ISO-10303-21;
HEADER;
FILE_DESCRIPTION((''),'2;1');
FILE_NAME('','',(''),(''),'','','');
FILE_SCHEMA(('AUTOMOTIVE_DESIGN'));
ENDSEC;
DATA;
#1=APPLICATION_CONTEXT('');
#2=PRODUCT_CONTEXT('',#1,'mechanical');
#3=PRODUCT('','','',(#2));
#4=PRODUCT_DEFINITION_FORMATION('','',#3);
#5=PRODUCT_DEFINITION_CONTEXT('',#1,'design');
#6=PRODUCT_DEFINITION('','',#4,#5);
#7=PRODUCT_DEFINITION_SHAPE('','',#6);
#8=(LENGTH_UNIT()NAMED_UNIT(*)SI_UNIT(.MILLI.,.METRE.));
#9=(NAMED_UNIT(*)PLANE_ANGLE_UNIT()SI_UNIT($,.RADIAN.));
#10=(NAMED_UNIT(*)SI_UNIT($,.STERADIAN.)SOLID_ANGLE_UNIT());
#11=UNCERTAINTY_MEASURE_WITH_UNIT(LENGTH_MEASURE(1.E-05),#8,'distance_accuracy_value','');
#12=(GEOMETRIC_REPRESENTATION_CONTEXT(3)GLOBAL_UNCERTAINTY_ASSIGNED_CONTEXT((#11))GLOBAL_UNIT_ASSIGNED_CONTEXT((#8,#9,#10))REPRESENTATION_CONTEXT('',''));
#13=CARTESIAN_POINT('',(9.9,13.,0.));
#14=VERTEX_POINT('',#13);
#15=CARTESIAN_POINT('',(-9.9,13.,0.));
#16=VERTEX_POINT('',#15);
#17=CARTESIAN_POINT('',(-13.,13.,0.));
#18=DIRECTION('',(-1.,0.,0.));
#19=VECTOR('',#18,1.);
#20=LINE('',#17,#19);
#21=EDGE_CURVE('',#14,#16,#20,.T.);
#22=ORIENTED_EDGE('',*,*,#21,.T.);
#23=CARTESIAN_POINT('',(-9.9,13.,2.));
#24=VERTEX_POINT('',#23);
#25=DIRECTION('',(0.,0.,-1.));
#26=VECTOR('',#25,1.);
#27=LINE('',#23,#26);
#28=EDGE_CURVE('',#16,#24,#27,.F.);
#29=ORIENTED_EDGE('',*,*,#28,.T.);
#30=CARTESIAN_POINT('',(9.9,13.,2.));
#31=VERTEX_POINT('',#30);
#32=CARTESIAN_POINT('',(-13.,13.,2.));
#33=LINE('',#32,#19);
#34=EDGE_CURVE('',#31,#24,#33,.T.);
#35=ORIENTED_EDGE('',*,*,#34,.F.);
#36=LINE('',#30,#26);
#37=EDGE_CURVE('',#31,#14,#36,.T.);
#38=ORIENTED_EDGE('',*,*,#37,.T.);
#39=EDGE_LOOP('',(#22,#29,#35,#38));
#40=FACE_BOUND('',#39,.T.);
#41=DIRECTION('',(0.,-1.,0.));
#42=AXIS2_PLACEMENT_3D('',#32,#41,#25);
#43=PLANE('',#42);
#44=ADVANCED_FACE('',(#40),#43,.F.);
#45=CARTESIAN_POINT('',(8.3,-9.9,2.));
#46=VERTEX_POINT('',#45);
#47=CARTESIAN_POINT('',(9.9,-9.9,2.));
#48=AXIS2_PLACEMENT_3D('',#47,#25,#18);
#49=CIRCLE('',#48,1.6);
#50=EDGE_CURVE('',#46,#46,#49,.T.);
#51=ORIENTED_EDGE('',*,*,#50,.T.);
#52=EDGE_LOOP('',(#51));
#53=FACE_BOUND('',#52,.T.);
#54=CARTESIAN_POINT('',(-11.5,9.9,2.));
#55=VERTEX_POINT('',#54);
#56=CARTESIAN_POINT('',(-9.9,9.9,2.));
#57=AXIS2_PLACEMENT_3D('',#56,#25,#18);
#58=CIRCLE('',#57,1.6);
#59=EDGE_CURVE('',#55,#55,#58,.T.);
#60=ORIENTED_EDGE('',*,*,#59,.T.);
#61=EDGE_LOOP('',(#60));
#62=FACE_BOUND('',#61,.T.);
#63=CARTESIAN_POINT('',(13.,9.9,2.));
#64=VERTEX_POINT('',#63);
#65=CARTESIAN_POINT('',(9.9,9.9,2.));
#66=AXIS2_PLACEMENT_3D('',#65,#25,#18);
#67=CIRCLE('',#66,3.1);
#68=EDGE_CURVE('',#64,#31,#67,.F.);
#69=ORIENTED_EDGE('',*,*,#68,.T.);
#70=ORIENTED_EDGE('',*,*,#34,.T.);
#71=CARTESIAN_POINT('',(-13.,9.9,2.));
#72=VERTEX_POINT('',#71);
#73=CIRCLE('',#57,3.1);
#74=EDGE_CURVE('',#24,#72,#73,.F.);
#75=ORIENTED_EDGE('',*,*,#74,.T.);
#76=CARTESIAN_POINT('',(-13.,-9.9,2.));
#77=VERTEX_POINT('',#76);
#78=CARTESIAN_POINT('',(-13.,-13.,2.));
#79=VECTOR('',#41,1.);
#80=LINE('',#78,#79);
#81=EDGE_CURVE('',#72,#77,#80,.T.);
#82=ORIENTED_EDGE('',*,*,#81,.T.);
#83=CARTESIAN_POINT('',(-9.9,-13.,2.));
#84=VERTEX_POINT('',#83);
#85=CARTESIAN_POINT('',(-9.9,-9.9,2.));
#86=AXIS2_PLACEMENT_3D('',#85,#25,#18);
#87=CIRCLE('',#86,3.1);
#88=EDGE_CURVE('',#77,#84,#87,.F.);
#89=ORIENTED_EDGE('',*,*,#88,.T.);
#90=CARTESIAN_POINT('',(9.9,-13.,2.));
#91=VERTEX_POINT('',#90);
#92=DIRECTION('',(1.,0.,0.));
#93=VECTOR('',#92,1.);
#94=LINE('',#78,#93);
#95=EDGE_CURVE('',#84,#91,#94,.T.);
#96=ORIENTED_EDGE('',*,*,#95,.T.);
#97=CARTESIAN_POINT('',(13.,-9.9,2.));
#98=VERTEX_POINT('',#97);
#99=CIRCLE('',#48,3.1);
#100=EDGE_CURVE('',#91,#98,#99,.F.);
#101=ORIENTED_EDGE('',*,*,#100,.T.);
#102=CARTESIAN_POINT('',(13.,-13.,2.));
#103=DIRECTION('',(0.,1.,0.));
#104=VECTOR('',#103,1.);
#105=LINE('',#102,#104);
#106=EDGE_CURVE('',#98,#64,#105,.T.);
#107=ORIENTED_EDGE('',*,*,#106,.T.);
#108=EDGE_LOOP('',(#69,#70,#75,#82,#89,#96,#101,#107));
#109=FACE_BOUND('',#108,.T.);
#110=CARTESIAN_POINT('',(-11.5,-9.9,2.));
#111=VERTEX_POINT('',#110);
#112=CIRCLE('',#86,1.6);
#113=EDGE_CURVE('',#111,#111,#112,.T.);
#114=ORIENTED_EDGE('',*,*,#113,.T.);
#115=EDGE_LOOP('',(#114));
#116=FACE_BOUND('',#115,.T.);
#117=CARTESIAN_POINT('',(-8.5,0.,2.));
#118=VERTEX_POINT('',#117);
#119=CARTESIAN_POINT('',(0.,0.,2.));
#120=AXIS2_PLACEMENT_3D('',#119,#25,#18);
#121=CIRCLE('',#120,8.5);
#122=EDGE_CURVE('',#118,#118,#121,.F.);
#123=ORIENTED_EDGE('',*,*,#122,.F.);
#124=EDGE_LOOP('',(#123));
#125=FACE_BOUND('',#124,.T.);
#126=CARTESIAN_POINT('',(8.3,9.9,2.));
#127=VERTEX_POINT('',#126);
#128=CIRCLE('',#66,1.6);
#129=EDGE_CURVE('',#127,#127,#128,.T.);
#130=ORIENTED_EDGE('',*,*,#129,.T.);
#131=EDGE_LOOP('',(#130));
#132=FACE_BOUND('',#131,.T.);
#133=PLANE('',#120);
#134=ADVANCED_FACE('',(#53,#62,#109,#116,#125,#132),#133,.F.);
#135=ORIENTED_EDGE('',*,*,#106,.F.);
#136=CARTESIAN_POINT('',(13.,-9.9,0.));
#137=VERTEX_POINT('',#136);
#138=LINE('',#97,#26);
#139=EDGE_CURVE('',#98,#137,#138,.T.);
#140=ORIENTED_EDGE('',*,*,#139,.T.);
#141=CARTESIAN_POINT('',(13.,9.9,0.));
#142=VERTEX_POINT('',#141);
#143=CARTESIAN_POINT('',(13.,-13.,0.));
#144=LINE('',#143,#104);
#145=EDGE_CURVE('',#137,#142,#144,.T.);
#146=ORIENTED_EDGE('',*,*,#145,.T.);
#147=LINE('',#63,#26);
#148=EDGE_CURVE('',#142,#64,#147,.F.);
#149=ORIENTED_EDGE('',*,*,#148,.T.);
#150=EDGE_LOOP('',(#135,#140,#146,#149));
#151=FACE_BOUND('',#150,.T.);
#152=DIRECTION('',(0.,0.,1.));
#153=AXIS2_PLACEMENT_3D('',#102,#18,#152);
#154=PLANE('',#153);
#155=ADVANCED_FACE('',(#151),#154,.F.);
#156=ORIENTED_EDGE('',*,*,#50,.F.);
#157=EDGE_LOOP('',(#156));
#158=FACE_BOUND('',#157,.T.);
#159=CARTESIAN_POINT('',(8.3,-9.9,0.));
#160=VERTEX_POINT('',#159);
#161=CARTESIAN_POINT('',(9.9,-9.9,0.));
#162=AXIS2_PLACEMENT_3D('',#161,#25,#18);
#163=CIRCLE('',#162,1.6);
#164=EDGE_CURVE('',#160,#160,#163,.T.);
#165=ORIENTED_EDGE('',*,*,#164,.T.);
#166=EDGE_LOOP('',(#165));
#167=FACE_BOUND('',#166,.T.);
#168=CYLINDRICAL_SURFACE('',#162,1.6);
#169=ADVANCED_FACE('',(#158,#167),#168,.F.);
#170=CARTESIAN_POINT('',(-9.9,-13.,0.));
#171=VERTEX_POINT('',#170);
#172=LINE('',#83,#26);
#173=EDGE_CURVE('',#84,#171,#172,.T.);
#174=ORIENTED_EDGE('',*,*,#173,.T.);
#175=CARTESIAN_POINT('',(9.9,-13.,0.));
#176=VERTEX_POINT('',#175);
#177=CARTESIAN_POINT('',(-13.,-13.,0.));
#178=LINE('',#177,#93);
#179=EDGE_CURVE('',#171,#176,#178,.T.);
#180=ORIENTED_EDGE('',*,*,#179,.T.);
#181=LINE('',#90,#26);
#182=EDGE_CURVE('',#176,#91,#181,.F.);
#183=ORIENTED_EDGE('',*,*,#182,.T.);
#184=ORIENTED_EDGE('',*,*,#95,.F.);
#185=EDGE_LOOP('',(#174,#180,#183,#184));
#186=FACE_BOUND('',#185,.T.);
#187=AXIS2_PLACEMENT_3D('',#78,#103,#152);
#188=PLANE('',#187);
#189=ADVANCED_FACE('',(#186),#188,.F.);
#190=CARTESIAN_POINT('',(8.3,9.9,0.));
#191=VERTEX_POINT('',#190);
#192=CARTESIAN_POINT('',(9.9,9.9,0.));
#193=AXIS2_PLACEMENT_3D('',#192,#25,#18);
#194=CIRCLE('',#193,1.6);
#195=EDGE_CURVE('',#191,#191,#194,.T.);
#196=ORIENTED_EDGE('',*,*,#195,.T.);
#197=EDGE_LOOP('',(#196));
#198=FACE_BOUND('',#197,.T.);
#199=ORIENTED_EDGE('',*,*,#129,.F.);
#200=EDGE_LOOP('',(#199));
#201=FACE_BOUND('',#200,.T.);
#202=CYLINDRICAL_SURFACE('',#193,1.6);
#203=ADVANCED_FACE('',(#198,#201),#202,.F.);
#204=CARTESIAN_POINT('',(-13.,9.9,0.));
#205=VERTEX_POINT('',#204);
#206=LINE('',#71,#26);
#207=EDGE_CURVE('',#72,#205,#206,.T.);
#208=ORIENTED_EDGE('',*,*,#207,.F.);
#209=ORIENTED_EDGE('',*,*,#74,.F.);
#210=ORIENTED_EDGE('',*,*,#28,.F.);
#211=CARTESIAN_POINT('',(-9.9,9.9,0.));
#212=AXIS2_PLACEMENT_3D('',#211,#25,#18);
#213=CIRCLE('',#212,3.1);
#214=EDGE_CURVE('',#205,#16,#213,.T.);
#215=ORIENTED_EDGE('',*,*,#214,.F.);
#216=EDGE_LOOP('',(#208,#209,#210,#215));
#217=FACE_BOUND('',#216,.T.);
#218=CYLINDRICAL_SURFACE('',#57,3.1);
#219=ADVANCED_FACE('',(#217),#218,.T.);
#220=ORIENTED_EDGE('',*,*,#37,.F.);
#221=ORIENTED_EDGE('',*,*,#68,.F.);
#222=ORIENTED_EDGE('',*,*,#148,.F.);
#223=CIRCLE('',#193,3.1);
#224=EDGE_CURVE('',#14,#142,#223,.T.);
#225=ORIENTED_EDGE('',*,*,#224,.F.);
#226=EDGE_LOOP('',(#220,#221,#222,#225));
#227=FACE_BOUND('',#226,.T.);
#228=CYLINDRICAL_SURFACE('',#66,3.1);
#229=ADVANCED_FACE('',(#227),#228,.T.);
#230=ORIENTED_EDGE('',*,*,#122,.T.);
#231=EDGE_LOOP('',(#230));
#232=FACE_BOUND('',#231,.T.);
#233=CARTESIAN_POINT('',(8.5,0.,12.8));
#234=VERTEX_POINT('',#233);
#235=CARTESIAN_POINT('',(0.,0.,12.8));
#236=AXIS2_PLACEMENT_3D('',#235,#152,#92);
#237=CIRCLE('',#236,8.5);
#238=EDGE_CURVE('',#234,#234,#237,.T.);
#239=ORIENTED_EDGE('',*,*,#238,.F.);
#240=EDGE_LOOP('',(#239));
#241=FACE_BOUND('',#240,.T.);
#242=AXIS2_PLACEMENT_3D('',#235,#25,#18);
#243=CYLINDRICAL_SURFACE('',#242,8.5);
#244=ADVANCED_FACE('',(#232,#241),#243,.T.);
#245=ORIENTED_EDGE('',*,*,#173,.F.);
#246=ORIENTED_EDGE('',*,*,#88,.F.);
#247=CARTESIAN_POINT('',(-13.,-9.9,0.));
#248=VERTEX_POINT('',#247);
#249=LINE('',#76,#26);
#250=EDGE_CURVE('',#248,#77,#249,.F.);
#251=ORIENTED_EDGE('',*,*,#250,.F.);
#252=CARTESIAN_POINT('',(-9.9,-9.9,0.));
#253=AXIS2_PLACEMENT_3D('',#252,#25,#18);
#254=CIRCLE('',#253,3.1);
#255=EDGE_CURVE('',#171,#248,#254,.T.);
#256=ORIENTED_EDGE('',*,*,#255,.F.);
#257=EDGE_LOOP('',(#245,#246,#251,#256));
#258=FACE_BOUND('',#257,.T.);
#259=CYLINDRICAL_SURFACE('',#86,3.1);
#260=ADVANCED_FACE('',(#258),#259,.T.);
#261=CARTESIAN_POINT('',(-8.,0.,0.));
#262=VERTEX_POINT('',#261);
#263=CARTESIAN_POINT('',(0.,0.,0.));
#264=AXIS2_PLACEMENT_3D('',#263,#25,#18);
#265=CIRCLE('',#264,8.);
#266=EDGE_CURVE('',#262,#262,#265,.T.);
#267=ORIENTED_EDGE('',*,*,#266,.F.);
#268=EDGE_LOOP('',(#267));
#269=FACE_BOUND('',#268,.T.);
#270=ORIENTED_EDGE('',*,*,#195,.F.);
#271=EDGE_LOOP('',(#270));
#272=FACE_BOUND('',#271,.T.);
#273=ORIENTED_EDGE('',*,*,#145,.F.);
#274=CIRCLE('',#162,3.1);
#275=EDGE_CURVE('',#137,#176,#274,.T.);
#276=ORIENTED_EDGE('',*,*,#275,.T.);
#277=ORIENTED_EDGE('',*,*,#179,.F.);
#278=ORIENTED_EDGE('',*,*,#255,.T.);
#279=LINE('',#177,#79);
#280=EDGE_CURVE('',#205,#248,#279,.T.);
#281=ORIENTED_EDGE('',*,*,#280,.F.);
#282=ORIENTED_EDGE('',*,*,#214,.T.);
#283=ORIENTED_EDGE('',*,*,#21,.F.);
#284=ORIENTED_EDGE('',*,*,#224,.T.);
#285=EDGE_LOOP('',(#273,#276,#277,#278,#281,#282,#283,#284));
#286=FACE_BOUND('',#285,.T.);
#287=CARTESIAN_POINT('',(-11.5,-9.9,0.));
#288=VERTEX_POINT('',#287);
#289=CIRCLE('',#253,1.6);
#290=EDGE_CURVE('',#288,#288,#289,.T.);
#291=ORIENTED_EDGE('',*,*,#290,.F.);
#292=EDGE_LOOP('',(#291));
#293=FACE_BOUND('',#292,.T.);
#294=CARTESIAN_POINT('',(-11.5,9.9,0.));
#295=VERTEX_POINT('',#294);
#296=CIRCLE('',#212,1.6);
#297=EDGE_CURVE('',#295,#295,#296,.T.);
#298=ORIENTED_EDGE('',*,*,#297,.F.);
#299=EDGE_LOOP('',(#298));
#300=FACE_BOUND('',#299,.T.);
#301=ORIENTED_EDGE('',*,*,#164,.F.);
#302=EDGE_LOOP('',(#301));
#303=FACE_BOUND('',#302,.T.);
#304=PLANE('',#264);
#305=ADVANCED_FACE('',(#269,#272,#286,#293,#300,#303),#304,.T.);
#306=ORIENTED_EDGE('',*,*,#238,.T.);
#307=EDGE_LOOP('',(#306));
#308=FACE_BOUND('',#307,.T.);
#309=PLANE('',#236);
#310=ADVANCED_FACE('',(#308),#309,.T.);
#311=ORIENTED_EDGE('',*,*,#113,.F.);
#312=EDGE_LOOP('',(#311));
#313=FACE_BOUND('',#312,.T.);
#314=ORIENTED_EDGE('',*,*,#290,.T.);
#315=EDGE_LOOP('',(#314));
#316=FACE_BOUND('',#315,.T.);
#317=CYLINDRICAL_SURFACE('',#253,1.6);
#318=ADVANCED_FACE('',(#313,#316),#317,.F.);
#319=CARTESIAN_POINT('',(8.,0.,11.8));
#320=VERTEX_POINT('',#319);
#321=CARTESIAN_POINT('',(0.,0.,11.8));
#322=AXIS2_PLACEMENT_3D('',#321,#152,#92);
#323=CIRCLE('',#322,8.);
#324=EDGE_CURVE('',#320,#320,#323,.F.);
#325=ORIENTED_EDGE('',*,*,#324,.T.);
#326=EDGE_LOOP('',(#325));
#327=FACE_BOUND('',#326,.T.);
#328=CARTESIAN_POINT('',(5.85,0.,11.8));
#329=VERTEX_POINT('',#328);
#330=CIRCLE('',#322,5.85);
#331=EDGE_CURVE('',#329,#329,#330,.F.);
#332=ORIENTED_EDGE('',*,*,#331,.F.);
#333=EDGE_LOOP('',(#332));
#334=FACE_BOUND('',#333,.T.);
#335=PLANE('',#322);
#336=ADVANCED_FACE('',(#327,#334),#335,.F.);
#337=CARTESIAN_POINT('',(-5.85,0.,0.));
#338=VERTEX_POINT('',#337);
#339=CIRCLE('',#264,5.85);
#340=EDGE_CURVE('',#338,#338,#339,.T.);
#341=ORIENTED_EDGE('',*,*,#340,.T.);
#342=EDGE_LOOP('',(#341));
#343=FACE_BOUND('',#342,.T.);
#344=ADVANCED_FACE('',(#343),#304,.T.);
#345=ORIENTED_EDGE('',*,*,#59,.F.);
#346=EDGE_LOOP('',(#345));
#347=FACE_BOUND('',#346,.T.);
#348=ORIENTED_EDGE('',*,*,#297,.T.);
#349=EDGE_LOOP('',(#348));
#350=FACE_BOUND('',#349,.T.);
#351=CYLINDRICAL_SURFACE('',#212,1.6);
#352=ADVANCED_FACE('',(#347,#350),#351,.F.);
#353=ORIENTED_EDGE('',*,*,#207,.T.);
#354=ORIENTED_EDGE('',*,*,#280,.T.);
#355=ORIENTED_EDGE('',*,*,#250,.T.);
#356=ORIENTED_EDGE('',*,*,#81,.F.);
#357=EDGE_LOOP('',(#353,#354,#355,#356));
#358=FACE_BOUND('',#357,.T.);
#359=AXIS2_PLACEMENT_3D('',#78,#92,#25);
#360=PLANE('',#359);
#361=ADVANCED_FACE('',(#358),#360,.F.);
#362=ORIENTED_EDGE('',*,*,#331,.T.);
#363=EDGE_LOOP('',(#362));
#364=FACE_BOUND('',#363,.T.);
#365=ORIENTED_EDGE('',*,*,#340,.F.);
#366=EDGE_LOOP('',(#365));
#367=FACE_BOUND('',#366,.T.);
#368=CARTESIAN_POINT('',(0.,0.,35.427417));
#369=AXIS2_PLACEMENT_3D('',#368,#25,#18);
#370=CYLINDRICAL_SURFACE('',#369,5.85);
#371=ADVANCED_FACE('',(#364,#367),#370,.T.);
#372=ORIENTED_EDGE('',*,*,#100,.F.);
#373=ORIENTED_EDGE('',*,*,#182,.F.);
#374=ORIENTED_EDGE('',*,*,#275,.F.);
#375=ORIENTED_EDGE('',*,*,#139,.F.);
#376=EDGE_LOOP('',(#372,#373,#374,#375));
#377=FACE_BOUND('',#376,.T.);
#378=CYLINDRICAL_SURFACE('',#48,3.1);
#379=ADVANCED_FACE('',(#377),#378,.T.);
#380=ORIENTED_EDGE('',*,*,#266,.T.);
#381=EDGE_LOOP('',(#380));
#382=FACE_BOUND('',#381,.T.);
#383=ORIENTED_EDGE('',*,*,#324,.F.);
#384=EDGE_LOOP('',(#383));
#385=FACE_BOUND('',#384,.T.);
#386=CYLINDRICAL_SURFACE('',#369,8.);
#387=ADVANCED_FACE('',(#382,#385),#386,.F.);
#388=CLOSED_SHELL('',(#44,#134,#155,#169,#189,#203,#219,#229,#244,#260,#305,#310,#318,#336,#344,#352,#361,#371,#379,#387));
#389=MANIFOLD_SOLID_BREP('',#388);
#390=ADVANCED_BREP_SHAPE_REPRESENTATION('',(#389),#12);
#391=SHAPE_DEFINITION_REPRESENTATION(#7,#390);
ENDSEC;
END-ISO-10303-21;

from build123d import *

# Parameters (mm, degrees)
SKETCH1_W                = 26
SKETCH1_H                = 26
BOSS_EXTRUDE1_DEPTH      = 2
FILLET1_R                = 3.1
SKETCH3_R                = 8.5
BOSS_EXTRUDE2_DEPTH      = 12.8
M3_CLEARANCE_HOLE1_D     = 3.2
M3_CLEARANCE_HOLE1_DEPTH = 5
M3_CLEARANCE_HOLE1_TIP   = 0.96137699
SKETCH7_R                = 8
SKETCH7_R_2              = 5.85
CUT_EXTRUDE1_DEPTH       = 11.8


with BuildPart() as part:
    # Sketch1 → Boss-Extrude1 (new body)
    with BuildSketch(Plane.XY):
        Rectangle(SKETCH1_W, SKETCH1_H)
    extrude(amount=BOSS_EXTRUDE1_DEPTH)

    # Fillet1
    fillet1_edges = [part.edges().sort_by_distance(p)[0] for p in [
        (13, -13, 1),
        (-13, -13, 1),
        (-13, 13, 1),
        (13, 13, 1),
    ]]
    fillet(fillet1_edges, radius=FILLET1_R)

    # Sketch3 → Boss-Extrude2 (add)
    with BuildSketch(Plane.XY):
        Circle(SKETCH3_R)
    extrude(amount=BOSS_EXTRUDE2_DEPTH)

    # M3 Clearance Hole1
    with Locations(Plane(origin=(0, 0, 0), x_dir=(-1, 0, 0), z_dir=(0, 0, -1))):
        with Locations((9.9, 9.9), (9.9, -9.9), (-9.9, -9.9), (-9.9, 9.9)):
            Hole(M3_CLEARANCE_HOLE1_D / 2, depth=M3_CLEARANCE_HOLE1_DEPTH)
            with Locations((0, 0, -(M3_CLEARANCE_HOLE1_DEPTH + M3_CLEARANCE_HOLE1_TIP / 2))):  # 118° drill point
                Cone(0, M3_CLEARANCE_HOLE1_D / 2, M3_CLEARANCE_HOLE1_TIP, mode=Mode.SUBTRACT)

    # Sketch7 → Cut-Extrude1 (cut)
    with BuildSketch(Plane(origin=(0, 0, 0), x_dir=(-1, 0, 0), z_dir=(0, 0, -1))):
        Circle(SKETCH7_R)
        Circle(SKETCH7_R_2, mode=Mode.SUBTRACT)
    extrude(amount=-CUT_EXTRUDE1_DEPTH, mode=Mode.SUBTRACT)


solid = part.part
